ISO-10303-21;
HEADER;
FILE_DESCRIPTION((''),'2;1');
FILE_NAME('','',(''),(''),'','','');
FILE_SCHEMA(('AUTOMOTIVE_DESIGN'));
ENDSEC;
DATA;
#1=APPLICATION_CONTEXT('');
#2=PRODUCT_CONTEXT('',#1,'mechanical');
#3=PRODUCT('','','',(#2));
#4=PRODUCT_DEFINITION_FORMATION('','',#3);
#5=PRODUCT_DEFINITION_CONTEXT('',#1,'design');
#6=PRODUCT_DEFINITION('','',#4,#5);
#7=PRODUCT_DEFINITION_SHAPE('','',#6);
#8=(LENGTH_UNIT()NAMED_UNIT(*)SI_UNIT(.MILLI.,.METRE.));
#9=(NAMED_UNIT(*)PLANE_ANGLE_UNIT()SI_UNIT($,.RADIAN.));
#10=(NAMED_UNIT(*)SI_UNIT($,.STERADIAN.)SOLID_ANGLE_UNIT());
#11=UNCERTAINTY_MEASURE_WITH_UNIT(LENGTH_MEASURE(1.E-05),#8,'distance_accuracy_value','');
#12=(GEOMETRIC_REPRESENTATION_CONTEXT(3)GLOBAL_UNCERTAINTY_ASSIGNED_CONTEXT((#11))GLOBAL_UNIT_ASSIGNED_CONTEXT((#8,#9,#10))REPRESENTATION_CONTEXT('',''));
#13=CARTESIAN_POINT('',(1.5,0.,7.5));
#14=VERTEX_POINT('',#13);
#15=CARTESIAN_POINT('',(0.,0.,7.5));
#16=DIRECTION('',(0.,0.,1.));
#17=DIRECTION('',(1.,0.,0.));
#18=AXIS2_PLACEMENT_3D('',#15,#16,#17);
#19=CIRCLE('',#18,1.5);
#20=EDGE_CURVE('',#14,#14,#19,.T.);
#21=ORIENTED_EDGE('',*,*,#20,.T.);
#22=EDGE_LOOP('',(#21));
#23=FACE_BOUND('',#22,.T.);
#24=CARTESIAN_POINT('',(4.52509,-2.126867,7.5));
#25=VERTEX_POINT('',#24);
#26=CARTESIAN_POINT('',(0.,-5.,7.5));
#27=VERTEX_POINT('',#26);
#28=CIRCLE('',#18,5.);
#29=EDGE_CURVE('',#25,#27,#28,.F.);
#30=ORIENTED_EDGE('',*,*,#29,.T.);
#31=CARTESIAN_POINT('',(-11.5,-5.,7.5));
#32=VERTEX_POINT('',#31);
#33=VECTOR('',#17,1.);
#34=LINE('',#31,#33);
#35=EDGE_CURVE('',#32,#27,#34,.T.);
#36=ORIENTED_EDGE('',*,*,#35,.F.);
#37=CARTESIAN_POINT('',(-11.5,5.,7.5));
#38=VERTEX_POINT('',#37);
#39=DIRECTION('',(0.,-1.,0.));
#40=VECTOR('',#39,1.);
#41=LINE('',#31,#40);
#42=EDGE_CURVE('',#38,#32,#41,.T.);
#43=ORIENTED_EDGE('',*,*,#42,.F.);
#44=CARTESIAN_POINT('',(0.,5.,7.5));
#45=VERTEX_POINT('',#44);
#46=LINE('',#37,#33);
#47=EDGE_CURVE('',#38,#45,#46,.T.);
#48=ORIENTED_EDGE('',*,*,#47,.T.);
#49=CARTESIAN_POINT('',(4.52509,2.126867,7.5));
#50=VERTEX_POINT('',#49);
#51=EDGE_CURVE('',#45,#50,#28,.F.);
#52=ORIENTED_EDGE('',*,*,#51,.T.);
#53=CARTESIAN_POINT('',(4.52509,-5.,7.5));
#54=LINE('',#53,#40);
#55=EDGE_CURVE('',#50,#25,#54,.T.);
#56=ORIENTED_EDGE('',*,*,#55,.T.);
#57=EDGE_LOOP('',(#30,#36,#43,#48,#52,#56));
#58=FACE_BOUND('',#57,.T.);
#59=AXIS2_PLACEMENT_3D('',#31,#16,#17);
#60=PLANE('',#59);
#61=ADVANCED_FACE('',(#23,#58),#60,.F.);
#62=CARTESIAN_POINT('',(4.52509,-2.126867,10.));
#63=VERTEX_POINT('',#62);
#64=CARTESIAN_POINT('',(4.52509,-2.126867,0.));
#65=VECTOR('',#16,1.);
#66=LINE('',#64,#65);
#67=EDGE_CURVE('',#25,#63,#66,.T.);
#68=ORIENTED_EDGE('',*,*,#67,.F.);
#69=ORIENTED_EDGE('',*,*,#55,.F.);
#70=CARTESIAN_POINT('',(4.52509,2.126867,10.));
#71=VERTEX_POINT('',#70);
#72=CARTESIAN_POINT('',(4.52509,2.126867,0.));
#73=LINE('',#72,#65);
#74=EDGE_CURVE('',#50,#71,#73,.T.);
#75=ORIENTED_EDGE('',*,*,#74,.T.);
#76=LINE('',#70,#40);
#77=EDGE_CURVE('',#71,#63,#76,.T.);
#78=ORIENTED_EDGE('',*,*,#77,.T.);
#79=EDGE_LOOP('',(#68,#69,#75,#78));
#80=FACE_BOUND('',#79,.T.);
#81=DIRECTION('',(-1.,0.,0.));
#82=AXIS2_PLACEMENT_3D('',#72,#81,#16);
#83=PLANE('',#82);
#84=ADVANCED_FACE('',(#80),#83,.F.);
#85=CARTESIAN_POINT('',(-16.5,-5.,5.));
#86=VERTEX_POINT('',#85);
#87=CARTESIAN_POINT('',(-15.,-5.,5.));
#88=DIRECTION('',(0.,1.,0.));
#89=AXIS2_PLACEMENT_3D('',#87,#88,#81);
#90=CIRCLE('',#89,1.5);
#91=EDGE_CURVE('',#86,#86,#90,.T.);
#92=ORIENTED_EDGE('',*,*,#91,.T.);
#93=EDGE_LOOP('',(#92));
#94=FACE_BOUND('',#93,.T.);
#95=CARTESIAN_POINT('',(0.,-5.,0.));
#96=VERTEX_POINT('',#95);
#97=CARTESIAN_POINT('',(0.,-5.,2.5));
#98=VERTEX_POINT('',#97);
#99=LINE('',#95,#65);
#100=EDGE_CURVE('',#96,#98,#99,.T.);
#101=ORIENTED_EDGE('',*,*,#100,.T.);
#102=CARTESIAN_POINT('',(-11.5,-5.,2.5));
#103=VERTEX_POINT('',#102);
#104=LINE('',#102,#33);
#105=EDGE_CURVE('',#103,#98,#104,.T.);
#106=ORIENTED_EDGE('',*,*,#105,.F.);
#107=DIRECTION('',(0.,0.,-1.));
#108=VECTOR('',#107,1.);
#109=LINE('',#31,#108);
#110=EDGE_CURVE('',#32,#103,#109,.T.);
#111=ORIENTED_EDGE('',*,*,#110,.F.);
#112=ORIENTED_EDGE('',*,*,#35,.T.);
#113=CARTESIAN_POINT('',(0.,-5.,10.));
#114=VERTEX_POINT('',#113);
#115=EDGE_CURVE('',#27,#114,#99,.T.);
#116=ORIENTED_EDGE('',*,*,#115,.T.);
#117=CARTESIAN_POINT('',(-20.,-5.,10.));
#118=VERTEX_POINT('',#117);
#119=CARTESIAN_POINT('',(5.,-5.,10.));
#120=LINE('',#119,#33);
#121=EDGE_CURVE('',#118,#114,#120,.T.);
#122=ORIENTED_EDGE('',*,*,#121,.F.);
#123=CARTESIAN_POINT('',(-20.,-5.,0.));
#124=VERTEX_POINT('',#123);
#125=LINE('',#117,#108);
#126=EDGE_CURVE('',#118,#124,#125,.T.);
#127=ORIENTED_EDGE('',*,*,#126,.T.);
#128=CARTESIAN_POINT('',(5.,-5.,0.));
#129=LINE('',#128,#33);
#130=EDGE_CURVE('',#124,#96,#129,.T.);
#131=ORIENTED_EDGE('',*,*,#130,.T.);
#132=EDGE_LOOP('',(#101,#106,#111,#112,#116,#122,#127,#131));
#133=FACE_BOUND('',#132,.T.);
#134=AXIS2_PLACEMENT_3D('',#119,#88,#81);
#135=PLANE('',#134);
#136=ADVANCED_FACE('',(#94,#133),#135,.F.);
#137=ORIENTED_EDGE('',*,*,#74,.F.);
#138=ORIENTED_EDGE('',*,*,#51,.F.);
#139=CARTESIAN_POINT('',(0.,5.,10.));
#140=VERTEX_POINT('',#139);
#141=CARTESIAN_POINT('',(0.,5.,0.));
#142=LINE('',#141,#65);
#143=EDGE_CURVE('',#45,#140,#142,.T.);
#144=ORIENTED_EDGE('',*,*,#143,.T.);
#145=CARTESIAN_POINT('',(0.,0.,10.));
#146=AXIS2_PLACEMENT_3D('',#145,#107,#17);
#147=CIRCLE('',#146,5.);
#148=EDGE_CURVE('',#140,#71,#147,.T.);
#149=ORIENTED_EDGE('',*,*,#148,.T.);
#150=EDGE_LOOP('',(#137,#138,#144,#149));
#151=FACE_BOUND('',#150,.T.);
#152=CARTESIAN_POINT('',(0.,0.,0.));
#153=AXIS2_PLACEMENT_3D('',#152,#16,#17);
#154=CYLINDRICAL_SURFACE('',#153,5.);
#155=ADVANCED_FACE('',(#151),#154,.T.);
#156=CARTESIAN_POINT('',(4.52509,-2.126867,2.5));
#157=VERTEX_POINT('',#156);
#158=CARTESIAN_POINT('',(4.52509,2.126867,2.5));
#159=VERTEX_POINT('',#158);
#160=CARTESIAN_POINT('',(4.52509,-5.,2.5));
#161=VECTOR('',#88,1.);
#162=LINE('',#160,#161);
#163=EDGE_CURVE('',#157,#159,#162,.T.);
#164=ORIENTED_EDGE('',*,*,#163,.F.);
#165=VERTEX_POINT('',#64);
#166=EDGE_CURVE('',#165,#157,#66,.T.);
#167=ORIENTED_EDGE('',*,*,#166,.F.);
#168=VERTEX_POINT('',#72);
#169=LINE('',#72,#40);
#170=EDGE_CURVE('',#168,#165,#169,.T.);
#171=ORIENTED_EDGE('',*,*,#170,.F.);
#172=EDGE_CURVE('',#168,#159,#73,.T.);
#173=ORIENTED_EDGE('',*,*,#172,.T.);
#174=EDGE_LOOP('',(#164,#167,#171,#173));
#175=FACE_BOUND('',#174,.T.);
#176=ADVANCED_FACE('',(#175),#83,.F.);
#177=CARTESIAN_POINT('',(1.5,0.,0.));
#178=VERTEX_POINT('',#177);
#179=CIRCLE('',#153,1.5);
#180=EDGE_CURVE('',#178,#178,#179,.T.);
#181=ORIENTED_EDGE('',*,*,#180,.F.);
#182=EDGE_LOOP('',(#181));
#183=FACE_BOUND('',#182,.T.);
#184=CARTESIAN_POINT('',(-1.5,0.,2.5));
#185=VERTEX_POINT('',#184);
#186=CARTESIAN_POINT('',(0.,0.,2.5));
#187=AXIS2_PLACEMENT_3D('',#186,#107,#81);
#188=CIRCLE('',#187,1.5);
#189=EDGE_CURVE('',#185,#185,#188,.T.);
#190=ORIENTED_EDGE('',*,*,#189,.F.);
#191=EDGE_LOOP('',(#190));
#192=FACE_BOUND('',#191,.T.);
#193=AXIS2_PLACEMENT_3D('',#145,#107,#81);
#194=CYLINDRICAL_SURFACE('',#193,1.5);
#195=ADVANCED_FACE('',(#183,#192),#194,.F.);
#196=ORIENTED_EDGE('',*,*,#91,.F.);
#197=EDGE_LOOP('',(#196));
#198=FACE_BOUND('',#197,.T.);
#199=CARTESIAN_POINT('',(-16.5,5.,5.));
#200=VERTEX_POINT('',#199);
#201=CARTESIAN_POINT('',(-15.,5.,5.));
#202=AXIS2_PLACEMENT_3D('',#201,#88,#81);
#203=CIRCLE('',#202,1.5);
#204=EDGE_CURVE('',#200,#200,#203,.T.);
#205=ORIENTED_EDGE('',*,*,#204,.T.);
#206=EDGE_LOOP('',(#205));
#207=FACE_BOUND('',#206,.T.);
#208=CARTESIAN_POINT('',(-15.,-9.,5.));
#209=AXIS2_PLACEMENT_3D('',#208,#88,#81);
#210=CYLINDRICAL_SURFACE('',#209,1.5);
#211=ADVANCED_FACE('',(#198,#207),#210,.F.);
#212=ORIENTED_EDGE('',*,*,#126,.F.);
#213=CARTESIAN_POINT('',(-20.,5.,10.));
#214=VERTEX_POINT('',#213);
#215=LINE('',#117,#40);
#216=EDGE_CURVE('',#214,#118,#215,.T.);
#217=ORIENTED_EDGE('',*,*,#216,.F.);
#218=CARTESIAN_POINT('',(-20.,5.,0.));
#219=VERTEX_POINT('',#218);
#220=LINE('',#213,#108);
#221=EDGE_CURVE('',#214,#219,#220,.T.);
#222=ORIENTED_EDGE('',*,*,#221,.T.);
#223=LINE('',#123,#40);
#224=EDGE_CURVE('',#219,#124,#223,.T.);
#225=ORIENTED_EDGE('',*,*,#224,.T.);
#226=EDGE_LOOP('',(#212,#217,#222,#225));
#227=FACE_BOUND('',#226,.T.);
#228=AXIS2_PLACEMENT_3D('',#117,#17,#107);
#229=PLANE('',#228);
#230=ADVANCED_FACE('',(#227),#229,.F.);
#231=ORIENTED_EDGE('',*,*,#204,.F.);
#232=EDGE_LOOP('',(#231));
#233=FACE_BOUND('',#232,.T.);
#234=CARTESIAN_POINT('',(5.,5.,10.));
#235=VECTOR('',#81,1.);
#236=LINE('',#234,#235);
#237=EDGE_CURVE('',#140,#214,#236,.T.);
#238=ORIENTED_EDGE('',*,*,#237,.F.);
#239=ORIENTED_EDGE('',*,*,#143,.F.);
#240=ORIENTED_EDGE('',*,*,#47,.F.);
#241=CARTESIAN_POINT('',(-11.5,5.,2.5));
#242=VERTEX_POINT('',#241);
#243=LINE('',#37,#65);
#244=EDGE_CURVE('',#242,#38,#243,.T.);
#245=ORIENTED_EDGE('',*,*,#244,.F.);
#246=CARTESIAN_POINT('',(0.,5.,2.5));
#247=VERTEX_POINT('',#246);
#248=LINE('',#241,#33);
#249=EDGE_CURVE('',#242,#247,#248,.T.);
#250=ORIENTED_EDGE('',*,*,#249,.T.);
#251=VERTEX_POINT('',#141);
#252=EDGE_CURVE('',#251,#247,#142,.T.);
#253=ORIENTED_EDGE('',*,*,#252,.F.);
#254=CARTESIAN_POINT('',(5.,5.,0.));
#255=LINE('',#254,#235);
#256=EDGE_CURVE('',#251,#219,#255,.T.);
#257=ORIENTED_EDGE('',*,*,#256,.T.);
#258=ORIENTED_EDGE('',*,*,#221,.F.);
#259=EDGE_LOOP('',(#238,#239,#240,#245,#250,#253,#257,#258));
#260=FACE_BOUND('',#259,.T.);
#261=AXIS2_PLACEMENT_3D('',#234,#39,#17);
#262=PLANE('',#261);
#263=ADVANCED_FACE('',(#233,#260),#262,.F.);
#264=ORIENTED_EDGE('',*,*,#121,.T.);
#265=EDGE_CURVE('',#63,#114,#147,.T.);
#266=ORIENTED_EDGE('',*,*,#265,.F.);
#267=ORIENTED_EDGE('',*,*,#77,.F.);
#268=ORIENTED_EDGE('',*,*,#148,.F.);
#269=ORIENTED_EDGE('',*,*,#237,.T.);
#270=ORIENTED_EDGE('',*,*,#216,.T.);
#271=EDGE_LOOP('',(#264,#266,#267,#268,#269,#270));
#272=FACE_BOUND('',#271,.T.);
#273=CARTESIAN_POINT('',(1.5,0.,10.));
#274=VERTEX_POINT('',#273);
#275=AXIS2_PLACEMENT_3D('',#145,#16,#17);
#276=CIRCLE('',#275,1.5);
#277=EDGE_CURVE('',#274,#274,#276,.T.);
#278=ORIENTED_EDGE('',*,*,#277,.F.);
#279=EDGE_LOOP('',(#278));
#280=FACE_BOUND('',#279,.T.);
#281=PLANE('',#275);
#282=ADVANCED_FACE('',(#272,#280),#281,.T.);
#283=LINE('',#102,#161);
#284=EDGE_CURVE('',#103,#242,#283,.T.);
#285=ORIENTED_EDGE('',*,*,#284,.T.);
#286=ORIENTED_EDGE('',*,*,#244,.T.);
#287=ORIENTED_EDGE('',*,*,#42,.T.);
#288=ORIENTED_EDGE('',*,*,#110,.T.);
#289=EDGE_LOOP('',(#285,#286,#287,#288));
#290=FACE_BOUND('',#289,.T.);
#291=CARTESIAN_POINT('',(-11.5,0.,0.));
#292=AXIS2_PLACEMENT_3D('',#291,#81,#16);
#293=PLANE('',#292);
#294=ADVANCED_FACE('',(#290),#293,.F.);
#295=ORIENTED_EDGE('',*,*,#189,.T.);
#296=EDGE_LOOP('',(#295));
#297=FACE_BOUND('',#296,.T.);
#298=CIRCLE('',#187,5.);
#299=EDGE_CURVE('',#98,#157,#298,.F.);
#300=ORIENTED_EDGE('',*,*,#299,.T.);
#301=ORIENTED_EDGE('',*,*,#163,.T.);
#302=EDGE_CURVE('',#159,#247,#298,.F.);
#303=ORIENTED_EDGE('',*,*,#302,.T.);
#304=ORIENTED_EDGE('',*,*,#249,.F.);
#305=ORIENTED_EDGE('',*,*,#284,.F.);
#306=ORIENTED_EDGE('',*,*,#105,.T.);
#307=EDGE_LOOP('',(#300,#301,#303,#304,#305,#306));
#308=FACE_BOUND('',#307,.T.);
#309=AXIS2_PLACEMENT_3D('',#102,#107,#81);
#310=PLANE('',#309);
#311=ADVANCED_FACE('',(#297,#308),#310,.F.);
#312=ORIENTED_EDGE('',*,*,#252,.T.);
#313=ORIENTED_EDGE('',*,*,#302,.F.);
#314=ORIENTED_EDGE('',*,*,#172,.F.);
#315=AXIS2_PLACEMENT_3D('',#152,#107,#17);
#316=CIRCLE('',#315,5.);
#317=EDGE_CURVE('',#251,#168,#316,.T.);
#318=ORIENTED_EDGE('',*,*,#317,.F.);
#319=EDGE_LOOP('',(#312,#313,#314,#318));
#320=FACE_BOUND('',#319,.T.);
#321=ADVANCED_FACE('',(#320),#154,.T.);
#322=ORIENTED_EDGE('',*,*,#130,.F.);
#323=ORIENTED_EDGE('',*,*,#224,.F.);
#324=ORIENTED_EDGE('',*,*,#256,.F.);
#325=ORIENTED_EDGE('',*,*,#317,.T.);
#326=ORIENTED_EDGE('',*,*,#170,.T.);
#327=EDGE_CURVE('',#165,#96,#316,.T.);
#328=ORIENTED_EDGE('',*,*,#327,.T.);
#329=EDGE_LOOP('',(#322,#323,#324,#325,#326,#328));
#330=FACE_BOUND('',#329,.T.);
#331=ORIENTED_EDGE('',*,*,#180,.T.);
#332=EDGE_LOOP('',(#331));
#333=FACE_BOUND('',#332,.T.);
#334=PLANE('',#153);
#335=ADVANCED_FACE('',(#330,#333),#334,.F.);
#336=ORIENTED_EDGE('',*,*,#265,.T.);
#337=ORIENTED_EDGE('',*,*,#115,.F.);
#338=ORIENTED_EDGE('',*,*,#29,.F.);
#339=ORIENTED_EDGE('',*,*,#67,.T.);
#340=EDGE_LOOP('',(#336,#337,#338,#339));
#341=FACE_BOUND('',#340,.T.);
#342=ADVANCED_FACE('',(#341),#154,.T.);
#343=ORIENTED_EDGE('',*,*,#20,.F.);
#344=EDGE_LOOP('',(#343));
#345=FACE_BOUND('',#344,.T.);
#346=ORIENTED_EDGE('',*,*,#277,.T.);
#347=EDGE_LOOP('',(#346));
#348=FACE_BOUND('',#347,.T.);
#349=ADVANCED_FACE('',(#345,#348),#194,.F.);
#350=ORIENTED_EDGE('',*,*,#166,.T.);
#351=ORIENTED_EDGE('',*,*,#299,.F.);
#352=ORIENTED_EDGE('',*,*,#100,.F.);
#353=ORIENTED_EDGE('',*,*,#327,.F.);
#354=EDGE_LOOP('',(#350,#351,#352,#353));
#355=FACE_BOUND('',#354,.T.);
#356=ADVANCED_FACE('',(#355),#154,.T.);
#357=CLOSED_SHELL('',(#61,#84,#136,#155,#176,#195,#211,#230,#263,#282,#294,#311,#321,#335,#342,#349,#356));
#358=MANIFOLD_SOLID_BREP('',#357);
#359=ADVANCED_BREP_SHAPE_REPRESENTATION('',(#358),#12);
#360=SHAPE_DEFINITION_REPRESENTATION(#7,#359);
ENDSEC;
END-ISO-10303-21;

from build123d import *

# Parameters (mm, degrees)
CROQUIS1_W              = 25
CROQUIS1_H              = 10
CROQUIS1_R              = 1.5
SALIENTE_EXTRUIR1_DEPTH = 10
CROQUIS2_R              = 1.5
CORTAR_EXTRUIR1_DEPTH   = 14
CROQUIS3_W              = 5
CROQUIS3_H              = 10
CORTAR_EXTRUIR2_DEPTH   = 16.5
CUT_EXTRUDE1_DEPTH      = 10


with BuildPart() as part:
    # Croquis1 → Saliente-Extruir1 (new body)
    with BuildSketch(Plane.XY):
        with Locations((-7.5, 0)):
            Rectangle(CROQUIS1_W, CROQUIS1_H)
        Circle(CROQUIS1_R, mode=Mode.SUBTRACT)
    extrude(amount=SALIENTE_EXTRUIR1_DEPTH)

    # Croquis2 → Cortar-Extruir1 (cut)
    with BuildSketch(Plane(origin=(0, 5, 0), x_dir=(1, 0, 0), z_dir=(0, 1, 0))):
        with Locations(Location((-15, -5, 0), (0, 0, 180))):
            Circle(CROQUIS2_R)
    extrude(amount=-CORTAR_EXTRUIR1_DEPTH, mode=Mode.SUBTRACT)

    # Croquis3 → Cortar-Extruir2 (cut)
    with BuildSketch(Plane(origin=(5, 0, 0), x_dir=(0, 0, -1), z_dir=(1, 0, 0))):
        with Locations((-5, 0)):
            Rectangle(CROQUIS3_W, CROQUIS3_H)
    extrude(amount=-CORTAR_EXTRUIR2_DEPTH, mode=Mode.SUBTRACT)

    # Sketch1 → Cut-Extrude1 (cut)
    with BuildSketch(Plane.XY.offset(10)):
        with BuildLine():
            Line((0, 5), (5.992915048, 5))
            Line((5.992915048, 5), (5.992915048, -6.748814934))
            Line((5.992915048, -6.748814934), (0, -5))
            ThreePointArc((0, -5), (2.680080756, -4.221038633), (4.525089765, -2.126866856))
            Line((4.525089765, -2.126866856), (4.525089765, 2.126866856))
            ThreePointArc((4.525089765, 2.126866856), (2.680080756, 4.221038633), (0, 5))
        make_face()
    extrude(amount=-CUT_EXTRUDE1_DEPTH, mode=Mode.SUBTRACT)


solid = part.part
